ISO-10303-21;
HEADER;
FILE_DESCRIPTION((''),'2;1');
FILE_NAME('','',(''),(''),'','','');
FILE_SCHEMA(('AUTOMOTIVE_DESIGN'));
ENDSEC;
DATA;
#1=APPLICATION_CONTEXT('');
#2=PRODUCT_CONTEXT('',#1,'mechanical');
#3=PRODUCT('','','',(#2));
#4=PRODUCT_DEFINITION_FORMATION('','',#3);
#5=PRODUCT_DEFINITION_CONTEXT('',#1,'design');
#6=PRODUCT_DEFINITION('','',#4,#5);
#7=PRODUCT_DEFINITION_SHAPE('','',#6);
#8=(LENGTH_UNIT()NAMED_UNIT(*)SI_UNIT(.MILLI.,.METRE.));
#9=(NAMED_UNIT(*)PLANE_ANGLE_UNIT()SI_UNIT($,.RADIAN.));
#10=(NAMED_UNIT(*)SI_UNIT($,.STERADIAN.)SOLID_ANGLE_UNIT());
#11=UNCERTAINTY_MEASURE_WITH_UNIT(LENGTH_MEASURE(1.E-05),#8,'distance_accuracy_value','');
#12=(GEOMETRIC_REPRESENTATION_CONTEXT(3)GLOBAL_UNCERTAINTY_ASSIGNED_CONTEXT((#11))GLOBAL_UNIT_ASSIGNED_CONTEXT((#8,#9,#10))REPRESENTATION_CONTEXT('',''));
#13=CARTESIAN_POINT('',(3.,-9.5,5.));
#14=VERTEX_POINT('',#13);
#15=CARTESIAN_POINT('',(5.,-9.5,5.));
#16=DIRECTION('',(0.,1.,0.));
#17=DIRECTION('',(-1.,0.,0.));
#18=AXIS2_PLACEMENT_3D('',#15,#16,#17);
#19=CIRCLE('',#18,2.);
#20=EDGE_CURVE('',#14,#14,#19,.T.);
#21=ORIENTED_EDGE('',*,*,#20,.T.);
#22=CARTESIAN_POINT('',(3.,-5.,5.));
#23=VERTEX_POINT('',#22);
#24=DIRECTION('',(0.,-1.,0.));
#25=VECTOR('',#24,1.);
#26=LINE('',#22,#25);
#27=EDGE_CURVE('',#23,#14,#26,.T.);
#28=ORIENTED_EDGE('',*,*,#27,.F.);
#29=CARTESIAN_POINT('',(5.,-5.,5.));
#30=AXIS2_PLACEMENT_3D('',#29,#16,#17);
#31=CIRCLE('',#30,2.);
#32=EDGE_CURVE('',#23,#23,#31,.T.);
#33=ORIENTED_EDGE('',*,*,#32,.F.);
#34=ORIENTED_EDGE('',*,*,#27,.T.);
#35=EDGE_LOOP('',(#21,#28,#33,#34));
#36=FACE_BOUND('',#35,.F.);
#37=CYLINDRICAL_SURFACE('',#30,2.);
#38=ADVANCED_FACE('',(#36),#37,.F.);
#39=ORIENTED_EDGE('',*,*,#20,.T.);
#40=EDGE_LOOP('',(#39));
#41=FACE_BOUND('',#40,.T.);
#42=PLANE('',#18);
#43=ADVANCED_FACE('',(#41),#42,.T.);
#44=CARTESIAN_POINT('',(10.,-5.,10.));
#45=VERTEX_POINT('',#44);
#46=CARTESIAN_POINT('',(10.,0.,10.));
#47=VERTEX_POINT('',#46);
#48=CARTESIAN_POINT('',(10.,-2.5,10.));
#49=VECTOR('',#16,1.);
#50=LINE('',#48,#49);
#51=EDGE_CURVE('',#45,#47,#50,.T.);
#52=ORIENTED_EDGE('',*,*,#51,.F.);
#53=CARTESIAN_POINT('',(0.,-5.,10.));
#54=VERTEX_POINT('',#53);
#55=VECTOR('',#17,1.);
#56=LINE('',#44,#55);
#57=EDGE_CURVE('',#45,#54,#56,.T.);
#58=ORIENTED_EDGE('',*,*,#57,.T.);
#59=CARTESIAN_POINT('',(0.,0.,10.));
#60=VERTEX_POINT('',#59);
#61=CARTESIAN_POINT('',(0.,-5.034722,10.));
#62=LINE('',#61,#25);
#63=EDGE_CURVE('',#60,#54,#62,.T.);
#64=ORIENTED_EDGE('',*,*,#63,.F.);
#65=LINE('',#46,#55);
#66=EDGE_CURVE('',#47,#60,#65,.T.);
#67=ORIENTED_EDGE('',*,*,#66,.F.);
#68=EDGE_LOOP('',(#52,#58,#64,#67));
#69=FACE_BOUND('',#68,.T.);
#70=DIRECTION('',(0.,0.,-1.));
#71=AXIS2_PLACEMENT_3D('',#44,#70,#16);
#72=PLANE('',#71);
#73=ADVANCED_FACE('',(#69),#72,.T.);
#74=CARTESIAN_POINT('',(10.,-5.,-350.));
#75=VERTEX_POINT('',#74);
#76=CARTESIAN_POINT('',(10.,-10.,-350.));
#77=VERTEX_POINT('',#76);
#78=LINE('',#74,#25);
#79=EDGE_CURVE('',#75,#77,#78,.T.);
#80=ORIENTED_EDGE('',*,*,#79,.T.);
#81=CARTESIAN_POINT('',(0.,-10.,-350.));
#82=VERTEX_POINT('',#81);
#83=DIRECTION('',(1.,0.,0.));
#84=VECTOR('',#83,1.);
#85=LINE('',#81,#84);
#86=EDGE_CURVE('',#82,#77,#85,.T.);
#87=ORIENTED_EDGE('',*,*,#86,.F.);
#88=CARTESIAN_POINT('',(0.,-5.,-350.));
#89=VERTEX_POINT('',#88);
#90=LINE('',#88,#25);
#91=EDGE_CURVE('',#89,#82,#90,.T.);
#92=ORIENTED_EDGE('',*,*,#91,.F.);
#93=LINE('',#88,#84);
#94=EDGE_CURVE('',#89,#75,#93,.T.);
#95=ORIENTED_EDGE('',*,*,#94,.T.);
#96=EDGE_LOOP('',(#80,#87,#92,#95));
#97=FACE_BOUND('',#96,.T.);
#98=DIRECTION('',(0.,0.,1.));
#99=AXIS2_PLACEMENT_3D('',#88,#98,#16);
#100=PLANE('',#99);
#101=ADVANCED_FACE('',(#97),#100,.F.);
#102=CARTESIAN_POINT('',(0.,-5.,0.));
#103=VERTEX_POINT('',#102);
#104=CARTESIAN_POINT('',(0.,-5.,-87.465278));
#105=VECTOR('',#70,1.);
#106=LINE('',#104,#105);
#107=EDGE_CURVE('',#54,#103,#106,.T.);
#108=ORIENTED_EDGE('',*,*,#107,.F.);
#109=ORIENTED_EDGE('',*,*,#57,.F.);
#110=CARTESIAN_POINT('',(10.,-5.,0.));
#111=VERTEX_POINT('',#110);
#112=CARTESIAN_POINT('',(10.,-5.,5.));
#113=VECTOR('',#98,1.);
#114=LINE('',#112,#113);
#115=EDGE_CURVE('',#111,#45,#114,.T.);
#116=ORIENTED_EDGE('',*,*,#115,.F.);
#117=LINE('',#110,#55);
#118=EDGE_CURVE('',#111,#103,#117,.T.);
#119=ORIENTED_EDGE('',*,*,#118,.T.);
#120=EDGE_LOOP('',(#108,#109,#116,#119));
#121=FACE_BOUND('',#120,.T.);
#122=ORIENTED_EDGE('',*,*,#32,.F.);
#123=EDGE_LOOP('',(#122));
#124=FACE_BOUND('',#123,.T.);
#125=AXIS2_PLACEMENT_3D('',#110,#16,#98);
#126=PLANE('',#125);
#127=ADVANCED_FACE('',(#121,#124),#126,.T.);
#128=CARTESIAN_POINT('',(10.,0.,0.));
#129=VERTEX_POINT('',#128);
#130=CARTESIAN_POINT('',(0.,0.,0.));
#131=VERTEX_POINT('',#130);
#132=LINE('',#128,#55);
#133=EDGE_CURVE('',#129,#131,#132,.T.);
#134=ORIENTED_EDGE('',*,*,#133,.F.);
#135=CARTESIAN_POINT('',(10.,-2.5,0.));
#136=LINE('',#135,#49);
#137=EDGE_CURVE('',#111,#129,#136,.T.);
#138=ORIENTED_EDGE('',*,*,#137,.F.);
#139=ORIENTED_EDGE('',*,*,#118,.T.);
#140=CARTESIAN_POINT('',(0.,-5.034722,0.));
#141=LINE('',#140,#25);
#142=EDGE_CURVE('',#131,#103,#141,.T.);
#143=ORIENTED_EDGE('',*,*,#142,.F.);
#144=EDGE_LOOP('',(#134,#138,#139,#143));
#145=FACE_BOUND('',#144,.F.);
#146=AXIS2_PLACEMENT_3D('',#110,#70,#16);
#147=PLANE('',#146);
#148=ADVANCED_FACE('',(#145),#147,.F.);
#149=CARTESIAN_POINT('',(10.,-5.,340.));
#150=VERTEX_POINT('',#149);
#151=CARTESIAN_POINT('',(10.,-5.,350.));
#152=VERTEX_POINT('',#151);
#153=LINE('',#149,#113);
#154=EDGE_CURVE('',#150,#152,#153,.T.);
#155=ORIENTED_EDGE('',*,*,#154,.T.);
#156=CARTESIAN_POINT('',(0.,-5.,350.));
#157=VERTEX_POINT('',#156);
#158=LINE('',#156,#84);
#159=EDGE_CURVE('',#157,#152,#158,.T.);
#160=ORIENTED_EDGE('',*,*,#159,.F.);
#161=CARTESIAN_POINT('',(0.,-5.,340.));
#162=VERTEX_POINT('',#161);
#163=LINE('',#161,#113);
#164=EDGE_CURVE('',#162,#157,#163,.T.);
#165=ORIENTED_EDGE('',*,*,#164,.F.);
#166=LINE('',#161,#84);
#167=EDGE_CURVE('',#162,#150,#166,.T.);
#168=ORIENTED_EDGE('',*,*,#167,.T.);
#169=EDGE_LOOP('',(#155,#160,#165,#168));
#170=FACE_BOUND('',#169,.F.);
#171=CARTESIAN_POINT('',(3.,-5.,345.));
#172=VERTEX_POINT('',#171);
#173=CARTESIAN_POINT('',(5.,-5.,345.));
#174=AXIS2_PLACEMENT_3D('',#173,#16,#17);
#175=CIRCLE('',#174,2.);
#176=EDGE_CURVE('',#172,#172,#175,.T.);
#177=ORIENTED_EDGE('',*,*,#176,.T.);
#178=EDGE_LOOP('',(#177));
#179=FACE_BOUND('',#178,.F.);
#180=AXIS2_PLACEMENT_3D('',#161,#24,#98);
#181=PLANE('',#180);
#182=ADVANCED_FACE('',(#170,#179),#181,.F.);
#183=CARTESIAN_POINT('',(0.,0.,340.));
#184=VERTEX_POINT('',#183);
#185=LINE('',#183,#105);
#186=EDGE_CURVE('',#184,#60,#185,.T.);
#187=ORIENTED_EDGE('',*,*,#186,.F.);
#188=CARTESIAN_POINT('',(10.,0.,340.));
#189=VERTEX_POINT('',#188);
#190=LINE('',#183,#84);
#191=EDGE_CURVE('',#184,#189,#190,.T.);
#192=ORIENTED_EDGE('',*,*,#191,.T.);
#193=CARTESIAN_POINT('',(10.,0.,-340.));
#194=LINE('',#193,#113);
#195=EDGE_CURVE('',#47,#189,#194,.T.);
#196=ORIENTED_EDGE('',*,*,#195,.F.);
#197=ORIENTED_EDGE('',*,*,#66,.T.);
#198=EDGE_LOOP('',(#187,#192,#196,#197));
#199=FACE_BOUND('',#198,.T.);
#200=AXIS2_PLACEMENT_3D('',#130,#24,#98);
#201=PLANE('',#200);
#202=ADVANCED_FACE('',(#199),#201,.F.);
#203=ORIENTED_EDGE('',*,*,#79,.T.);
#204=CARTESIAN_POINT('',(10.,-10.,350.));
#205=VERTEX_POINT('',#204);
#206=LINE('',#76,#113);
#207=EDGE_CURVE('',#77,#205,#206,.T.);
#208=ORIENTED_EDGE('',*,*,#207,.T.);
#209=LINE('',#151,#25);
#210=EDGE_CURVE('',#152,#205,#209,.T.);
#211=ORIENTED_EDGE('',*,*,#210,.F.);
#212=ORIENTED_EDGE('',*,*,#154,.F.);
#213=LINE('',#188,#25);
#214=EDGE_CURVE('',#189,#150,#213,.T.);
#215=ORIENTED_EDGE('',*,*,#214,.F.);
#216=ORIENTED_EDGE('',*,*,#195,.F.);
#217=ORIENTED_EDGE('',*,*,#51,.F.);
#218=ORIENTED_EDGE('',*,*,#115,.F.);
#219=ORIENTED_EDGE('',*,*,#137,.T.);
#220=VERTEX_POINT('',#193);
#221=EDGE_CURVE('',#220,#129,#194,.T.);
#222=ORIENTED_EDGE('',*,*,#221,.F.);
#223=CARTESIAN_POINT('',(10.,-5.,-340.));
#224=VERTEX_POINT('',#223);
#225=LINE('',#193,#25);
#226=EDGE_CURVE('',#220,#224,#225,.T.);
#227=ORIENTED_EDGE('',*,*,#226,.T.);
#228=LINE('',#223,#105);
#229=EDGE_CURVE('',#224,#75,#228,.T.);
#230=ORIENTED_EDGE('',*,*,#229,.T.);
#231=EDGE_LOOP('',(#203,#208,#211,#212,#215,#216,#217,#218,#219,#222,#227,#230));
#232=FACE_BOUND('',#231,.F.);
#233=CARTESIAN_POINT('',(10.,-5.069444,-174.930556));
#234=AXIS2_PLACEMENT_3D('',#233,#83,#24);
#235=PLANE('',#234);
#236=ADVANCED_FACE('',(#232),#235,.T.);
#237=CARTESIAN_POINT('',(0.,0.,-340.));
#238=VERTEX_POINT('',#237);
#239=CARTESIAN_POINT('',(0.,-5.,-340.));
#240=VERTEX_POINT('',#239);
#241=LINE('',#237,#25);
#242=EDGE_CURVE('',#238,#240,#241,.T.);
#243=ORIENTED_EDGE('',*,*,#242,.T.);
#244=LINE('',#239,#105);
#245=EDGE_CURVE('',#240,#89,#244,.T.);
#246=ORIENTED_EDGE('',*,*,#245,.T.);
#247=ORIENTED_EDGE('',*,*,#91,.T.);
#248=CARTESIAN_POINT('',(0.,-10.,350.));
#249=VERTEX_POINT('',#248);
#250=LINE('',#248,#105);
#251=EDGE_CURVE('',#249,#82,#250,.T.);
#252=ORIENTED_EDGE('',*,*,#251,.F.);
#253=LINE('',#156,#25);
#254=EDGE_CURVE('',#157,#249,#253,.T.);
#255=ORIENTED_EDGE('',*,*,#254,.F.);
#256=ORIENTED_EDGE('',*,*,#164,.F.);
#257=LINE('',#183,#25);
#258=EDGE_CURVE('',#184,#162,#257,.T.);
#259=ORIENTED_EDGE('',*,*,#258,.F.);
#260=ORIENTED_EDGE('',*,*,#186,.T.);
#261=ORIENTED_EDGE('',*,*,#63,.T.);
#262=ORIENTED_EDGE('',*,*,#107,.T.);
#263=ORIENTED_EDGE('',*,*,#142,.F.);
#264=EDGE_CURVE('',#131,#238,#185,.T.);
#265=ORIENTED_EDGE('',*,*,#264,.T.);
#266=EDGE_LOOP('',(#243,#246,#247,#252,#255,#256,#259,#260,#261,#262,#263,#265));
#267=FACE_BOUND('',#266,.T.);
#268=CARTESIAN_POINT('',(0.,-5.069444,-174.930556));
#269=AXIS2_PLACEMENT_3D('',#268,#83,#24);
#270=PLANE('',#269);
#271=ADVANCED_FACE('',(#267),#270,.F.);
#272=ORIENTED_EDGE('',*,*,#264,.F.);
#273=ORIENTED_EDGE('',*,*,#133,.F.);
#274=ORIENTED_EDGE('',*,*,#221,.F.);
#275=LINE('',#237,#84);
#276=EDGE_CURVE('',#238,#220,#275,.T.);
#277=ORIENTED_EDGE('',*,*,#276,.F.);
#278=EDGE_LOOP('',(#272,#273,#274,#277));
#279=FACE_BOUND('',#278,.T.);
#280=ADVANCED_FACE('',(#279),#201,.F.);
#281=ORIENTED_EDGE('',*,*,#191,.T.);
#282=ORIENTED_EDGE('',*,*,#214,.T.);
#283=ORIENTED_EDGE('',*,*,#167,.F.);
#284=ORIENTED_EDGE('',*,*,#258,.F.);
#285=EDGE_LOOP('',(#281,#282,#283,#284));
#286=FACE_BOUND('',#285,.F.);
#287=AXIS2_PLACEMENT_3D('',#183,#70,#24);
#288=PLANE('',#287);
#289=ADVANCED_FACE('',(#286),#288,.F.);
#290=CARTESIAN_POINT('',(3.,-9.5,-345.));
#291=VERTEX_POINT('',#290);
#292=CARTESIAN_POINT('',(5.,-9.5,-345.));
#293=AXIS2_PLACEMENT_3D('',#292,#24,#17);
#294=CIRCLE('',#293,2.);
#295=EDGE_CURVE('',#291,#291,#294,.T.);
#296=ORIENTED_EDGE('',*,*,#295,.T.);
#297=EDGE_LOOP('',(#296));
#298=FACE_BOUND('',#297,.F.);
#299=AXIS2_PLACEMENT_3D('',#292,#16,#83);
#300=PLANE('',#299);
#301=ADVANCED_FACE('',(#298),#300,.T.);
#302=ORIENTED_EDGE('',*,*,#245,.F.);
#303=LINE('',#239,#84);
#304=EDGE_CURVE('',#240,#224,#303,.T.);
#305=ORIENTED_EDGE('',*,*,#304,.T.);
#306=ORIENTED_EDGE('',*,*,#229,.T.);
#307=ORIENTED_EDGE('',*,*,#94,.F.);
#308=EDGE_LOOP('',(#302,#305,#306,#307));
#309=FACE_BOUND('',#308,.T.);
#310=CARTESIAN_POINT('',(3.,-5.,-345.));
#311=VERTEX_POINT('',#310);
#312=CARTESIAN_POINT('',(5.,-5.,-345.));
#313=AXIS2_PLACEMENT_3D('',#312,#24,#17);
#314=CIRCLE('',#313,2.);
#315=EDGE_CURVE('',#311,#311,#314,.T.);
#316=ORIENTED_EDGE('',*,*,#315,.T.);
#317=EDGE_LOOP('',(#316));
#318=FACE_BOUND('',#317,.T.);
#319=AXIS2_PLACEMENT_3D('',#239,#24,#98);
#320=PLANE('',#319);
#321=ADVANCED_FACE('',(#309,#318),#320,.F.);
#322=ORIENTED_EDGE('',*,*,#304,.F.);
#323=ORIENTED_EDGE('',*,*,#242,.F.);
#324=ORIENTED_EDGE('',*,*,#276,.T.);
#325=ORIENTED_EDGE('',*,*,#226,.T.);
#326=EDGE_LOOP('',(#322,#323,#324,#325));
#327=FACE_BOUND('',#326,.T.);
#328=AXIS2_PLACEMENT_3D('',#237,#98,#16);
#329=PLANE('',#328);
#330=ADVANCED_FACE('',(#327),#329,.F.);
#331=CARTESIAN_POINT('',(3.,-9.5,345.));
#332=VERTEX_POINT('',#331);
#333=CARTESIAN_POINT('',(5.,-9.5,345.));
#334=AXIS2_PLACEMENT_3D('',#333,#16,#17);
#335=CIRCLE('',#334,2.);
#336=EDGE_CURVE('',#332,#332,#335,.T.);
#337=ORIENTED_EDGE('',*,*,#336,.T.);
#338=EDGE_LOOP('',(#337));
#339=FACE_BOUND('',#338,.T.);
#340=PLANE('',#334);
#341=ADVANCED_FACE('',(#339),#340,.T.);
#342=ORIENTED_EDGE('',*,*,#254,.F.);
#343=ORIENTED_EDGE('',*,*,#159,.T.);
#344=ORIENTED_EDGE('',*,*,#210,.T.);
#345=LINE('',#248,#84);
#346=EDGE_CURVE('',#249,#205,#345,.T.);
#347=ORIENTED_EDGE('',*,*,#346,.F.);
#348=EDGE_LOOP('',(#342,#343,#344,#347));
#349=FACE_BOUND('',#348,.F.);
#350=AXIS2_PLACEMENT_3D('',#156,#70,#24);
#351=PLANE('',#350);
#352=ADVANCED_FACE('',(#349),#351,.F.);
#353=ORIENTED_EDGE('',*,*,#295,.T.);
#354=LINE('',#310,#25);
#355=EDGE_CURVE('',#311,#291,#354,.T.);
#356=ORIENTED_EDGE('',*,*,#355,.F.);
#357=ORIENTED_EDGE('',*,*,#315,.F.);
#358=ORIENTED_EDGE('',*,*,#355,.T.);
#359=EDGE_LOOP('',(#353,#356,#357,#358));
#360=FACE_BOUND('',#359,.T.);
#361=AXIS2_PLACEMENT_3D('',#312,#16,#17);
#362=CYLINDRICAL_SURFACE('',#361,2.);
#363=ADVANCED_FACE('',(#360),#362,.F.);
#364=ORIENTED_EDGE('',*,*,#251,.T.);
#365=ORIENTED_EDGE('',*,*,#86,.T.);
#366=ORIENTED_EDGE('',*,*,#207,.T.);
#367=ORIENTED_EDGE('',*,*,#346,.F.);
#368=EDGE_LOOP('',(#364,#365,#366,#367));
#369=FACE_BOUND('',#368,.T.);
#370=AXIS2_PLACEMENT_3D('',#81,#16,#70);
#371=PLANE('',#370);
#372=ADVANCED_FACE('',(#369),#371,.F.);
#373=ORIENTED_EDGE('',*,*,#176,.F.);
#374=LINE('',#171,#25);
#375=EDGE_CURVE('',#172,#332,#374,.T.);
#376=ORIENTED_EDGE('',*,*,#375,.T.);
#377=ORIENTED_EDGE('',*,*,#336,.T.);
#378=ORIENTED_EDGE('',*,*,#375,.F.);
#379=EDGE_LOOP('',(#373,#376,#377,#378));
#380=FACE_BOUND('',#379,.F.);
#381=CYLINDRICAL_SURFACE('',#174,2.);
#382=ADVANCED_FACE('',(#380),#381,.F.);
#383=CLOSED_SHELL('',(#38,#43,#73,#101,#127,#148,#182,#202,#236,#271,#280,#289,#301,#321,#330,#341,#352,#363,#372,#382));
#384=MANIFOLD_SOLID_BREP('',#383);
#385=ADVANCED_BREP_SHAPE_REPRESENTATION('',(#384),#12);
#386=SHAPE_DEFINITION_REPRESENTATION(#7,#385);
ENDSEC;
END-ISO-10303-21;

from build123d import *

# Parameters (mm, degrees)
F1_DEPTH = 10
F2_R     = 2
F3_DEPTH = 4.5
F5_W     = 5
F5_H     = 10
F6_DEPTH = 10.001
F7_R     = 2
F8_DEPTH = 4.5


with BuildPart() as f1:
    # F0 (on Right) → F1 (new body)
    with BuildSketch(Plane.YZ):
        Polygon((-10, 0), (0, 0), (0, 340), (-5, 340), (-5, 350), (-10, 350), align=None)
    extrude(amount=F1_DEPTH)

    # F2 (on face) → F3 (cut)
    with BuildSketch(Plane(origin=(0, -5, 0), x_dir=(-1, 0, 0), z_dir=(0, 1, 0))):
        with Locations((-5, 345)):
            Circle(F2_R)
    extrude(amount=-F3_DEPTH, mode=Mode.SUBTRACT)

    # F4: F1 across plane


with BuildPart() as f1_1:
    add(f1.part)
    add(f1.part.mirror(Plane.XY))

    # F5 (on face) → F6 (cut, through all)
    with BuildSketch(Plane.YZ.offset(10)):
        with Locations((-2.5, 5)):
            Rectangle(F5_W, F5_H)
    extrude(amount=-F6_DEPTH, mode=Mode.SUBTRACT)

    # F7 (on face) → F8 (cut)
    with BuildSketch(Plane(origin=(0, -5, 0), x_dir=(-1, 0, 0), z_dir=(0, 1, 0))):
        with Locations((-5, 5)):
            Circle(F7_R)
    extrude(amount=-F8_DEPTH, mode=Mode.SUBTRACT)


solid = f1_1.part
